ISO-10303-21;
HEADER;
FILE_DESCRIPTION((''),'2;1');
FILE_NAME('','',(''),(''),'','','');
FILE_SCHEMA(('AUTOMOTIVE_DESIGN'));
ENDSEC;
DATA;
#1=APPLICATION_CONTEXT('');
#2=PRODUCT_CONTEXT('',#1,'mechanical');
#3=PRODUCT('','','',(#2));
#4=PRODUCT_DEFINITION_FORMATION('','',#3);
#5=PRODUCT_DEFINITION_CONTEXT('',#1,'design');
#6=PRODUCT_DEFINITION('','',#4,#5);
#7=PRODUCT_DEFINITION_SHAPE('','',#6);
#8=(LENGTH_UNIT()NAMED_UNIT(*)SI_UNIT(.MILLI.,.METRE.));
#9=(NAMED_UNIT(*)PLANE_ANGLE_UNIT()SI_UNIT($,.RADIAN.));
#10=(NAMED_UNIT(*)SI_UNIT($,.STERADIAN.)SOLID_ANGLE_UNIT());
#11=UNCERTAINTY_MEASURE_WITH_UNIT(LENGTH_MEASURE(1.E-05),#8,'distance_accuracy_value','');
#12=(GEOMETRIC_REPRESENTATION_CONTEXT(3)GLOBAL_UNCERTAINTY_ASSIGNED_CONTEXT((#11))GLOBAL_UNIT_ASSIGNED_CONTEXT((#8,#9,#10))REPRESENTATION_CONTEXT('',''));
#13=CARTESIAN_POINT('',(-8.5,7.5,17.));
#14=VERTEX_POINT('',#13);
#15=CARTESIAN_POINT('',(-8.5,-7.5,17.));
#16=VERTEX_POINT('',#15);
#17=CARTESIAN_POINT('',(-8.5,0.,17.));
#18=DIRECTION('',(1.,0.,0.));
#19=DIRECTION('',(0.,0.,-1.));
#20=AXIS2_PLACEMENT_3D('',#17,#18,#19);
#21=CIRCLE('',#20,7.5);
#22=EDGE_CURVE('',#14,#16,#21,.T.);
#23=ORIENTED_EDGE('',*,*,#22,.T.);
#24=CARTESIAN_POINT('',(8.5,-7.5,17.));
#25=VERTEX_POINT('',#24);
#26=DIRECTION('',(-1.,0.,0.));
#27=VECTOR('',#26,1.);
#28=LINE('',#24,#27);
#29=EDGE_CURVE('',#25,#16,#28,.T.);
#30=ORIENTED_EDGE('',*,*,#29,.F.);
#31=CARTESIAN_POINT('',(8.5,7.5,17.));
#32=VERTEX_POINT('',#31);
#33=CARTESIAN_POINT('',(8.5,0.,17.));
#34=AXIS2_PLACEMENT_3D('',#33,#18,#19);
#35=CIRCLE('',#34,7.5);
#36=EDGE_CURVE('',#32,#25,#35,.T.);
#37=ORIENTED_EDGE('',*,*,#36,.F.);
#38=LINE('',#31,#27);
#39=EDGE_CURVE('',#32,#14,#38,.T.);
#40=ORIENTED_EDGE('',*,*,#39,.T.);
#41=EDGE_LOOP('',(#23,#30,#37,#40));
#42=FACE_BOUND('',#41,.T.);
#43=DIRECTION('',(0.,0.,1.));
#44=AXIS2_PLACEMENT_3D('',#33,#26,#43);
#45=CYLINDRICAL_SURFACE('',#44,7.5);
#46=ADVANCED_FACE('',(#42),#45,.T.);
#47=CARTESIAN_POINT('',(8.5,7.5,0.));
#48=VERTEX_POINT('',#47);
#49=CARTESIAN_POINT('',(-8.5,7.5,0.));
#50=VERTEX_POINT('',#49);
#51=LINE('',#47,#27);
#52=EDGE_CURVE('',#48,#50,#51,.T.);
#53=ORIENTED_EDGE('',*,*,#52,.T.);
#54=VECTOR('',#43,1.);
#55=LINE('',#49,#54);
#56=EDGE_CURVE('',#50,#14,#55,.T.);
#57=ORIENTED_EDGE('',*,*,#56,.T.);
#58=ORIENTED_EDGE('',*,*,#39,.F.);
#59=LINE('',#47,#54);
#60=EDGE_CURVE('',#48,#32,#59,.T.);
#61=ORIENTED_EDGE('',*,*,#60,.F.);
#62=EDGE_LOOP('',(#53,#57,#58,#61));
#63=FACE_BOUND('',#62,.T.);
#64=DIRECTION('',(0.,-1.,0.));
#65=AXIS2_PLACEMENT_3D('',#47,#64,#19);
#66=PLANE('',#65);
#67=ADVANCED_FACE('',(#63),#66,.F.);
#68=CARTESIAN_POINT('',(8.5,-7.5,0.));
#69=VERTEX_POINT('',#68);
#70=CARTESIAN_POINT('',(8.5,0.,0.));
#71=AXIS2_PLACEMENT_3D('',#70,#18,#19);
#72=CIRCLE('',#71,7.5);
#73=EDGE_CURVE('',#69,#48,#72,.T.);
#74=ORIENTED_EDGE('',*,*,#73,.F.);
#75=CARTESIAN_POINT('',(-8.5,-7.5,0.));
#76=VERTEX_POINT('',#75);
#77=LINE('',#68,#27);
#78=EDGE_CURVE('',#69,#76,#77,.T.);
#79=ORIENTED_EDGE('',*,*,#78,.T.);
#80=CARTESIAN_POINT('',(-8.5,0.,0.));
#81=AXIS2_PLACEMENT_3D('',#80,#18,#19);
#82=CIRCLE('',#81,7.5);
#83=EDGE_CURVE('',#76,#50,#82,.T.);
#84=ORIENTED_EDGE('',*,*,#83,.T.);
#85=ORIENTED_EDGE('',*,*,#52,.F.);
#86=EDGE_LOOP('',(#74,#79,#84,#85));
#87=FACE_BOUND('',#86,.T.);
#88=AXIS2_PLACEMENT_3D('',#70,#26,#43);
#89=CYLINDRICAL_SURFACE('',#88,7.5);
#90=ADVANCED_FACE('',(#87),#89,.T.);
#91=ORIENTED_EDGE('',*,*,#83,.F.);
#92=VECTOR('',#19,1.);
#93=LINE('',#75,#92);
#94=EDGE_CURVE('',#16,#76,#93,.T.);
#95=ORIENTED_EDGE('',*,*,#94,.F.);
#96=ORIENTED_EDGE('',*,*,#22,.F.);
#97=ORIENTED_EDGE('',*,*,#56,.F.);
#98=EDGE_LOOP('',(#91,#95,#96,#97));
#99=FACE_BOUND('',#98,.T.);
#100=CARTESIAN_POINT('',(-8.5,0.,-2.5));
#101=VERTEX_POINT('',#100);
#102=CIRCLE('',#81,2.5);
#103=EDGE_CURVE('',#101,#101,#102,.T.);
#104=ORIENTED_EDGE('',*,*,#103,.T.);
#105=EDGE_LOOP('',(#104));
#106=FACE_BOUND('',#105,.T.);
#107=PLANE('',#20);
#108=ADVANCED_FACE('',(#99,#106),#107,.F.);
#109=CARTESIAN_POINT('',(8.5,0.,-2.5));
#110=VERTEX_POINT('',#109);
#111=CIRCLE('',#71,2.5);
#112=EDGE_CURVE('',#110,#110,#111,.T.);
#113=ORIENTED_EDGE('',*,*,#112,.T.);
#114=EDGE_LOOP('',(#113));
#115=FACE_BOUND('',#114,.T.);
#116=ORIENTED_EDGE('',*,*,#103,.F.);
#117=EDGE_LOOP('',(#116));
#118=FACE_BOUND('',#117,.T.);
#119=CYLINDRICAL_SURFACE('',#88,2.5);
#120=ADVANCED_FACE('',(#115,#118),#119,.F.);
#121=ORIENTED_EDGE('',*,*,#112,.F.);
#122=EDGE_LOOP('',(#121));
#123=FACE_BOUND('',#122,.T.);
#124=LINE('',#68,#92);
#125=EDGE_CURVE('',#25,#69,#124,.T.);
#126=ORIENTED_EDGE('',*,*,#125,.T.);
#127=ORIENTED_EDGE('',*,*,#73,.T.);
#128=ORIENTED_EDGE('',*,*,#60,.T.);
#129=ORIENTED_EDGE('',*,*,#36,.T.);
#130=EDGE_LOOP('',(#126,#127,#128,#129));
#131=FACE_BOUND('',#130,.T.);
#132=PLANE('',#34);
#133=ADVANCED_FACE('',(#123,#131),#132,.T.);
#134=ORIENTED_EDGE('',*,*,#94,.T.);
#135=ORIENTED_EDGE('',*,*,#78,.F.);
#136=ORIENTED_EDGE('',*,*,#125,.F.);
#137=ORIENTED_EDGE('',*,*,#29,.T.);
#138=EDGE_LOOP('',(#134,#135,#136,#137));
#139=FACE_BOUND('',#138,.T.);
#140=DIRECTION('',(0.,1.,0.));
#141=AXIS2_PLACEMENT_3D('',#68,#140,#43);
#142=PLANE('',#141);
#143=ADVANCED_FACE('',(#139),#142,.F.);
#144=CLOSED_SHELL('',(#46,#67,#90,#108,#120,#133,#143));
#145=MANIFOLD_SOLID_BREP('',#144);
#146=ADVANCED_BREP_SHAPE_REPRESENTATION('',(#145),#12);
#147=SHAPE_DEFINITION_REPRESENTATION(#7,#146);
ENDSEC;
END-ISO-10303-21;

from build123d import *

# Parameters (mm, degrees)
CROQUIS1_R              = 2.5
SALIENTE_EXTRUIR1_DEPTH = 8.5


with BuildPart() as part:
    # Croquis1 → Saliente-Extruir1 (new, symmetric)
    with BuildSketch(Plane(origin=(0, 0, 0), x_dir=(0, 0, -1), z_dir=(1, 0, 0))):
        with BuildLine():
            Line((0, 7.5), (-17, 7.5))
            ThreePointArc((-17, 7.5), (-24.5, 0), (-17, -7.5))
            Line((-17, -7.5), (0, -7.5))
            ThreePointArc((0, -7.5), (7.5, 0), (0, 7.5))
        make_face()
        Circle(CROQUIS1_R, mode=Mode.SUBTRACT)
    extrude(amount=SALIENTE_EXTRUIR1_DEPTH, both=True)


solid = part.part
